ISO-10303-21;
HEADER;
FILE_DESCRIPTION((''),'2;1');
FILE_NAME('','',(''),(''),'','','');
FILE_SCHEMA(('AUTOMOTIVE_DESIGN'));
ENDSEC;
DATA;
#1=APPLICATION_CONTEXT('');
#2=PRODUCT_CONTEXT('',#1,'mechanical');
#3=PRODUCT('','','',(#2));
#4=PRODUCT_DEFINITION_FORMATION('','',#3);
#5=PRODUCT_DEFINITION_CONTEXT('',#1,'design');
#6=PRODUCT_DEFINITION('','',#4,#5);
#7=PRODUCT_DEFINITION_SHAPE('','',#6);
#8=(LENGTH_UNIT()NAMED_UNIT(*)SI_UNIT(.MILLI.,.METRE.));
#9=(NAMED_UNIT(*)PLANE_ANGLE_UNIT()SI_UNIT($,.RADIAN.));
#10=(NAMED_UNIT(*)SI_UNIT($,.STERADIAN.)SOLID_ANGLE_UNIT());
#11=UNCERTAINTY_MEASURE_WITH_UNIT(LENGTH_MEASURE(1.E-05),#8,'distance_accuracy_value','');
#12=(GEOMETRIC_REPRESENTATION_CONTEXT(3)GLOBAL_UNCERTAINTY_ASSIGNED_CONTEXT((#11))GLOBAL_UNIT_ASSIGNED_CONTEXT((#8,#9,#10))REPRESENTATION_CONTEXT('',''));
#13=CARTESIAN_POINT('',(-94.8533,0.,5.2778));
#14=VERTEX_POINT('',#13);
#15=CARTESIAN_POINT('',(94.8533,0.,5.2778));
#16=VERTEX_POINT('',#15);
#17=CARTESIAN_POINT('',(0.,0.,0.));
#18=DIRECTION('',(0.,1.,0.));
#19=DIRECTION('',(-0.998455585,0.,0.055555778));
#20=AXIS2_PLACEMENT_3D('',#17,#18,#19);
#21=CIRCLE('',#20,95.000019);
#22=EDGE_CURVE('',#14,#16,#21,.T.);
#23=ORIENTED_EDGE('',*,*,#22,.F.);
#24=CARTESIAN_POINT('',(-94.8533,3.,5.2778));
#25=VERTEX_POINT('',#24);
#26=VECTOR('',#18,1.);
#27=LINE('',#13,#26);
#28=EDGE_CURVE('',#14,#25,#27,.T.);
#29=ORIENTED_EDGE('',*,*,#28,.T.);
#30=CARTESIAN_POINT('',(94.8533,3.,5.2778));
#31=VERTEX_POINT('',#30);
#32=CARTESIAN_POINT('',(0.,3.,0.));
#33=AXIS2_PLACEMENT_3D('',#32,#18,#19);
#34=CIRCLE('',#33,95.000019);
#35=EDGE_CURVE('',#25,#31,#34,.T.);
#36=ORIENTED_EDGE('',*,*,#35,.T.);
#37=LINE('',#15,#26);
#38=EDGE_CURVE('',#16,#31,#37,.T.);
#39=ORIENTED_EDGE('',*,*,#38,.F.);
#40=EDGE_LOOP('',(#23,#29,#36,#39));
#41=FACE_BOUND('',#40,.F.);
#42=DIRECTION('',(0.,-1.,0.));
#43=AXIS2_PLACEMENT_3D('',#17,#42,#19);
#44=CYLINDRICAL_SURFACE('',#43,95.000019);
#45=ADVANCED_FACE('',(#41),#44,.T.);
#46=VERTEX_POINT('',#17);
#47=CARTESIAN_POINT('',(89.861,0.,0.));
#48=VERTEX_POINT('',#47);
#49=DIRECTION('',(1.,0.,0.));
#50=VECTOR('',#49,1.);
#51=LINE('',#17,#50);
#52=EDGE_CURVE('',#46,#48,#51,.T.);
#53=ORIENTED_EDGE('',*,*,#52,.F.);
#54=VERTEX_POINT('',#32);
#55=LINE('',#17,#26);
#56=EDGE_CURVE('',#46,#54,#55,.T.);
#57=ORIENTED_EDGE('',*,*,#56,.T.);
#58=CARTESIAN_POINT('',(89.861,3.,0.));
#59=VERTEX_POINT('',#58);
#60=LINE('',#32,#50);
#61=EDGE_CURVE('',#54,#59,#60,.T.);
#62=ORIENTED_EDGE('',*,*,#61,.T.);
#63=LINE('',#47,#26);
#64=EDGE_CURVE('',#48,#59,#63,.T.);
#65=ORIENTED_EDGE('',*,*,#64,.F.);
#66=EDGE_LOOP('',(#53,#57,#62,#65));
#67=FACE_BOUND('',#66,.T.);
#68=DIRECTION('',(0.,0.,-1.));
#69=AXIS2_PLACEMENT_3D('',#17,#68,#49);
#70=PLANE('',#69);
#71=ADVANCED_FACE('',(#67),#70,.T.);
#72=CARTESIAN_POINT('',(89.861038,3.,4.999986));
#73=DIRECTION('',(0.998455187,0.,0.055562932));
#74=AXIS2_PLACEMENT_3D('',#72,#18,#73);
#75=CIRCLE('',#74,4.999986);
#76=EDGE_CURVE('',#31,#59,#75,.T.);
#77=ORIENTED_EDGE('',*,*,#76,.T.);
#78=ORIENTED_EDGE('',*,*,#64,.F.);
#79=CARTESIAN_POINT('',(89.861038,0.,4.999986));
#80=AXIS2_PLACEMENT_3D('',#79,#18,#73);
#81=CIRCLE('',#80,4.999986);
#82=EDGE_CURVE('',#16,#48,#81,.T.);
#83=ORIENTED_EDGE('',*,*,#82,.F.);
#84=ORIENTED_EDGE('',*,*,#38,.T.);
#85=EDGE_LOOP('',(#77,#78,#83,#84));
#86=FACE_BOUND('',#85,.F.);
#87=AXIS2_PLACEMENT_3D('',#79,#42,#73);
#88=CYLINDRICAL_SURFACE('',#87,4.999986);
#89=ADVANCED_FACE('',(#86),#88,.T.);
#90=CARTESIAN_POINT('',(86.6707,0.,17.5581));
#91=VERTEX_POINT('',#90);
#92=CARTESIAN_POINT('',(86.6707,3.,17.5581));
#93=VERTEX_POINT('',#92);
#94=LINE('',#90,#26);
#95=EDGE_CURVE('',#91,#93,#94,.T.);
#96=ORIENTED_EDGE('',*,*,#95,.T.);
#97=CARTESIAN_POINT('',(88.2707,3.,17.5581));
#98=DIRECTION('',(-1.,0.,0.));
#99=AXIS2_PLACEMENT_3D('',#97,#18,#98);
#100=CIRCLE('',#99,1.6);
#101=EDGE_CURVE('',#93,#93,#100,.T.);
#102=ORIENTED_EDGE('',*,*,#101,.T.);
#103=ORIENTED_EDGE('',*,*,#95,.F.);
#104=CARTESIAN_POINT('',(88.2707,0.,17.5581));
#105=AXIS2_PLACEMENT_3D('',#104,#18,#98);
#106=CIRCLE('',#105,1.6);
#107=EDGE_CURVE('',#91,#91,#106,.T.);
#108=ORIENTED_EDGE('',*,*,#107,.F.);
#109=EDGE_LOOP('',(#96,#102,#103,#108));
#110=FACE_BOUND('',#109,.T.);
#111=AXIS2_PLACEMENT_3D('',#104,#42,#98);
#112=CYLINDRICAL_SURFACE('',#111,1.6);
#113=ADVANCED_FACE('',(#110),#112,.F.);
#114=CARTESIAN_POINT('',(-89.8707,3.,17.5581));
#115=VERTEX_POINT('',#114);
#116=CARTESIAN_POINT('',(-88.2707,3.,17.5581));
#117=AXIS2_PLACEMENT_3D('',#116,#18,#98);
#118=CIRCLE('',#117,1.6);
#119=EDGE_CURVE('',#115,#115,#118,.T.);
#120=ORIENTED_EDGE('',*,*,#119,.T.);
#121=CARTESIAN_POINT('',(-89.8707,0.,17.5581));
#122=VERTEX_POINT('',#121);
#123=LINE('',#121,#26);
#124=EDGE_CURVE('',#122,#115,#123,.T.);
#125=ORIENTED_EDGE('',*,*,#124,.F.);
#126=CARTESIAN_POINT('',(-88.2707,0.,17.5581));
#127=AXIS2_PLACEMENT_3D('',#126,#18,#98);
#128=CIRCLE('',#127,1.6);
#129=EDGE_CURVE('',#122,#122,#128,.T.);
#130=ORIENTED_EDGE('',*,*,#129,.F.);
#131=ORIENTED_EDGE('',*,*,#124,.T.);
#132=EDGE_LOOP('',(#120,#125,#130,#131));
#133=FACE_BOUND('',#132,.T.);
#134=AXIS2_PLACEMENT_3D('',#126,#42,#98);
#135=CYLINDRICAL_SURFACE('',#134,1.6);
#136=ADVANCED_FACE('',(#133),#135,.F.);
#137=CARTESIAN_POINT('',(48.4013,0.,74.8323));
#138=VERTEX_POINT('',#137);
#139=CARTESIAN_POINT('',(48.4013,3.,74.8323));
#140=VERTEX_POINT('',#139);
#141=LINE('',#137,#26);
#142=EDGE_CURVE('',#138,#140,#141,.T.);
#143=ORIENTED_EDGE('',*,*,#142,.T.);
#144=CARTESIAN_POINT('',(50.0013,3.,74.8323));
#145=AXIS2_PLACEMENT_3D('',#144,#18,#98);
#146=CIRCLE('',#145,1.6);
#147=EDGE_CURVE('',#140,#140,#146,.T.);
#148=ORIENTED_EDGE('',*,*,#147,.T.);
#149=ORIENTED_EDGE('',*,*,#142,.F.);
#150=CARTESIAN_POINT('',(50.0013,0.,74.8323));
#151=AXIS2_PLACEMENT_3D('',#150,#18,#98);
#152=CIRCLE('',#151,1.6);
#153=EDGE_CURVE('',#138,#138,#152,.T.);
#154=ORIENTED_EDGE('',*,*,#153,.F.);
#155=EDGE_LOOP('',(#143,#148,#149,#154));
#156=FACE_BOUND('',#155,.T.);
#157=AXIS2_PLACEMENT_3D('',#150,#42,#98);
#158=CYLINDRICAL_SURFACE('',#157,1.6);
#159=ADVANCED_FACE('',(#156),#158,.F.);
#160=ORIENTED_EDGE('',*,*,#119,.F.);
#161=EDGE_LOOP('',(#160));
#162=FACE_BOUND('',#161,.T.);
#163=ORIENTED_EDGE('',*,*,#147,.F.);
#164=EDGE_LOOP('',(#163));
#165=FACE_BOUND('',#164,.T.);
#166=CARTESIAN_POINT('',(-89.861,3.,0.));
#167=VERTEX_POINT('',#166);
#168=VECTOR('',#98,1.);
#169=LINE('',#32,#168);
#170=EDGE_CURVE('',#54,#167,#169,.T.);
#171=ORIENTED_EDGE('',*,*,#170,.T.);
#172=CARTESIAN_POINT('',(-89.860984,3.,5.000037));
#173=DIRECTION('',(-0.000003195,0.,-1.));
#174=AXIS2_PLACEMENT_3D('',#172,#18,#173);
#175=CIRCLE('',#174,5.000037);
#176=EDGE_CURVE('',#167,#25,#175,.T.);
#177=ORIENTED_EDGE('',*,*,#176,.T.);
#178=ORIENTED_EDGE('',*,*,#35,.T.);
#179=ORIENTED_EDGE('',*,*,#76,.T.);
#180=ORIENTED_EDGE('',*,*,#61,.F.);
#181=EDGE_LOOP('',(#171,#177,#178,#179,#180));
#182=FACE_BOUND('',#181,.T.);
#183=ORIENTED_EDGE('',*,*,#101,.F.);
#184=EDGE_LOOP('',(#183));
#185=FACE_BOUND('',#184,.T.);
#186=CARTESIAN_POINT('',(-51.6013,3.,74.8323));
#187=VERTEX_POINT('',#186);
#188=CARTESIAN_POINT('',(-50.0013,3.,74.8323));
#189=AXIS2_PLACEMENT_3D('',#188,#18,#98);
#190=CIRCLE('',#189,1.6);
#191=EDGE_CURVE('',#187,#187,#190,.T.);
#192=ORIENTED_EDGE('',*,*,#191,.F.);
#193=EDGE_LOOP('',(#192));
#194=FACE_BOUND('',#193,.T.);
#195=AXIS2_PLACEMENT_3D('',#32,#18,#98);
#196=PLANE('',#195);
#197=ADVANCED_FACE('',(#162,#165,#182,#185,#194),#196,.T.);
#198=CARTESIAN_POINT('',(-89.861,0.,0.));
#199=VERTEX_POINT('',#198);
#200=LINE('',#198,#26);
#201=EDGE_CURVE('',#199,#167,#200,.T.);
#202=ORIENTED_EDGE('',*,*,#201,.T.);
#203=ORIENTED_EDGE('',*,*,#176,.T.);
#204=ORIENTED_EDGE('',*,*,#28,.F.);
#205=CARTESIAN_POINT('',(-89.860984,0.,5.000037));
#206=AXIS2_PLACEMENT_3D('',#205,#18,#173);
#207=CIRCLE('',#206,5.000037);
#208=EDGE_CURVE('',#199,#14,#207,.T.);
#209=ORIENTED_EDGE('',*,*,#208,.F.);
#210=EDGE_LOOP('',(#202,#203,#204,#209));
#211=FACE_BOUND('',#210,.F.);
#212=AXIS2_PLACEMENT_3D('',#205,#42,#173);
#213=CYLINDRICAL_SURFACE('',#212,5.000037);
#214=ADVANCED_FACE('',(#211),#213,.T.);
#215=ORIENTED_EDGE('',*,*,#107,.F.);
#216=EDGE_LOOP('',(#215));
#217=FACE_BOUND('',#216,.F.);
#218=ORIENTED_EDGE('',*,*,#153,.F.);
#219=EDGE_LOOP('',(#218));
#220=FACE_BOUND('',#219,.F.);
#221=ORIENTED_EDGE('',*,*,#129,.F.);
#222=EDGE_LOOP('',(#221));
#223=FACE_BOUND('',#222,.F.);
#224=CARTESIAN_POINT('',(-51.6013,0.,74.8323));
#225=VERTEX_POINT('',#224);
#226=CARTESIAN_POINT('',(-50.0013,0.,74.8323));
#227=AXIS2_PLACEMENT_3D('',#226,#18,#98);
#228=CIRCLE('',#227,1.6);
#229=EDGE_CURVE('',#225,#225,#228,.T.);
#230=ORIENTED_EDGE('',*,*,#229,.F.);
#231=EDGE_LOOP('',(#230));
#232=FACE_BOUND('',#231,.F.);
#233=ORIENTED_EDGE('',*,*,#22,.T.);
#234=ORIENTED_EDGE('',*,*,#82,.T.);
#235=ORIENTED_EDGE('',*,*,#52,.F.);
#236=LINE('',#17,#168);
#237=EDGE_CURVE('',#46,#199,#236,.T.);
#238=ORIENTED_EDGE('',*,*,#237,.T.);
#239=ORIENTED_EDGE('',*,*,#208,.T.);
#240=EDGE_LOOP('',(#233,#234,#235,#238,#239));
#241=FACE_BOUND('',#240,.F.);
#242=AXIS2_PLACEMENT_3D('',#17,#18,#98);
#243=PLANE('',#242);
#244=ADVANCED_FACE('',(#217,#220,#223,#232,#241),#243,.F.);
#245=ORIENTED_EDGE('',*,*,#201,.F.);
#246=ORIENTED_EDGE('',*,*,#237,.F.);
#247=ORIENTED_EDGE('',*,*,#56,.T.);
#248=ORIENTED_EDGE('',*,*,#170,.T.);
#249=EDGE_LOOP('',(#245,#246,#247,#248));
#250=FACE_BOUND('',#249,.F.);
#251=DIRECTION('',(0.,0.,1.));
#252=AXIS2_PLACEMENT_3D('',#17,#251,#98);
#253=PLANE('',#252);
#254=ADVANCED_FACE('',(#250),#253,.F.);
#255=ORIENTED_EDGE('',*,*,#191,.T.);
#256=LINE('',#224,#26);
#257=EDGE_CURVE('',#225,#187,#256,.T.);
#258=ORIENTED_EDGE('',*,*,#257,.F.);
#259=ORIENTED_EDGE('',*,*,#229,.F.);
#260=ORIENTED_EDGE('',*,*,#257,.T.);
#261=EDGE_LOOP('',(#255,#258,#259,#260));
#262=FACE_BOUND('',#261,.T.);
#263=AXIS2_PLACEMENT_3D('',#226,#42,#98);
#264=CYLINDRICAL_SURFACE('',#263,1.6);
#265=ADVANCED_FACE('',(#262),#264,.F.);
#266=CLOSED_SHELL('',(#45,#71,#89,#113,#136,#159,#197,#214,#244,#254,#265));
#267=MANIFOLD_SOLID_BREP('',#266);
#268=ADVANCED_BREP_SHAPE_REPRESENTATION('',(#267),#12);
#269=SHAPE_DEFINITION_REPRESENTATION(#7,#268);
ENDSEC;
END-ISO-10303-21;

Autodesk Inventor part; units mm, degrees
ref_plane "YZ Plane" through (0, 0, 0) normal (1, 0, 0) x (0, 1, 0)
ref_plane "XZ Plane" through (0, 0, 0) normal (0, 1, 0) x (-1, 0, 0)
ref_plane "XY Plane" through (0, 0, 0) normal (0, 0, 1) x (1, 0, 0)
sketch "Sketch1" plane through (0, 0, 0) normal (0, 1, 0) x (-1, 0, 0)
  circle A0 centre (50.0013, 74.8323) radius 1.6
  circle A1 centre (-50.0013, 74.8323) radius 1.6
  circle A2 centre (-88.2707, 17.5581) radius 1.6
  circle A3 centre (88.2707, 17.5581) radius 1.6
  line L0 (0, 0) -> (89.861, 0)
  line L1 (0, 0) -> (-89.861, 0)
  arc A4 (94.8533, 5.2778) -> (-94.8533, 5.2778) centre (0, 0) ccw
  arc A5 (89.861, 0) -> (94.8533, 5.2778) centre (89.861, 5) ccw
  arc A6 (-94.8533, 5.2778) -> (-89.861, 0) centre (-89.861, 5) ccw
  point P0 (95, 0)
  point P1 (-95, 0)
  dimension "d39" = 3.2
  dimension "d40" = 3.2
  dimension "d41" = 3.2
  dimension "d43" = 5
extrude "Extrusion1" add sketch "Sketch1" along normal blind 3
properties part number "Top Plate"
